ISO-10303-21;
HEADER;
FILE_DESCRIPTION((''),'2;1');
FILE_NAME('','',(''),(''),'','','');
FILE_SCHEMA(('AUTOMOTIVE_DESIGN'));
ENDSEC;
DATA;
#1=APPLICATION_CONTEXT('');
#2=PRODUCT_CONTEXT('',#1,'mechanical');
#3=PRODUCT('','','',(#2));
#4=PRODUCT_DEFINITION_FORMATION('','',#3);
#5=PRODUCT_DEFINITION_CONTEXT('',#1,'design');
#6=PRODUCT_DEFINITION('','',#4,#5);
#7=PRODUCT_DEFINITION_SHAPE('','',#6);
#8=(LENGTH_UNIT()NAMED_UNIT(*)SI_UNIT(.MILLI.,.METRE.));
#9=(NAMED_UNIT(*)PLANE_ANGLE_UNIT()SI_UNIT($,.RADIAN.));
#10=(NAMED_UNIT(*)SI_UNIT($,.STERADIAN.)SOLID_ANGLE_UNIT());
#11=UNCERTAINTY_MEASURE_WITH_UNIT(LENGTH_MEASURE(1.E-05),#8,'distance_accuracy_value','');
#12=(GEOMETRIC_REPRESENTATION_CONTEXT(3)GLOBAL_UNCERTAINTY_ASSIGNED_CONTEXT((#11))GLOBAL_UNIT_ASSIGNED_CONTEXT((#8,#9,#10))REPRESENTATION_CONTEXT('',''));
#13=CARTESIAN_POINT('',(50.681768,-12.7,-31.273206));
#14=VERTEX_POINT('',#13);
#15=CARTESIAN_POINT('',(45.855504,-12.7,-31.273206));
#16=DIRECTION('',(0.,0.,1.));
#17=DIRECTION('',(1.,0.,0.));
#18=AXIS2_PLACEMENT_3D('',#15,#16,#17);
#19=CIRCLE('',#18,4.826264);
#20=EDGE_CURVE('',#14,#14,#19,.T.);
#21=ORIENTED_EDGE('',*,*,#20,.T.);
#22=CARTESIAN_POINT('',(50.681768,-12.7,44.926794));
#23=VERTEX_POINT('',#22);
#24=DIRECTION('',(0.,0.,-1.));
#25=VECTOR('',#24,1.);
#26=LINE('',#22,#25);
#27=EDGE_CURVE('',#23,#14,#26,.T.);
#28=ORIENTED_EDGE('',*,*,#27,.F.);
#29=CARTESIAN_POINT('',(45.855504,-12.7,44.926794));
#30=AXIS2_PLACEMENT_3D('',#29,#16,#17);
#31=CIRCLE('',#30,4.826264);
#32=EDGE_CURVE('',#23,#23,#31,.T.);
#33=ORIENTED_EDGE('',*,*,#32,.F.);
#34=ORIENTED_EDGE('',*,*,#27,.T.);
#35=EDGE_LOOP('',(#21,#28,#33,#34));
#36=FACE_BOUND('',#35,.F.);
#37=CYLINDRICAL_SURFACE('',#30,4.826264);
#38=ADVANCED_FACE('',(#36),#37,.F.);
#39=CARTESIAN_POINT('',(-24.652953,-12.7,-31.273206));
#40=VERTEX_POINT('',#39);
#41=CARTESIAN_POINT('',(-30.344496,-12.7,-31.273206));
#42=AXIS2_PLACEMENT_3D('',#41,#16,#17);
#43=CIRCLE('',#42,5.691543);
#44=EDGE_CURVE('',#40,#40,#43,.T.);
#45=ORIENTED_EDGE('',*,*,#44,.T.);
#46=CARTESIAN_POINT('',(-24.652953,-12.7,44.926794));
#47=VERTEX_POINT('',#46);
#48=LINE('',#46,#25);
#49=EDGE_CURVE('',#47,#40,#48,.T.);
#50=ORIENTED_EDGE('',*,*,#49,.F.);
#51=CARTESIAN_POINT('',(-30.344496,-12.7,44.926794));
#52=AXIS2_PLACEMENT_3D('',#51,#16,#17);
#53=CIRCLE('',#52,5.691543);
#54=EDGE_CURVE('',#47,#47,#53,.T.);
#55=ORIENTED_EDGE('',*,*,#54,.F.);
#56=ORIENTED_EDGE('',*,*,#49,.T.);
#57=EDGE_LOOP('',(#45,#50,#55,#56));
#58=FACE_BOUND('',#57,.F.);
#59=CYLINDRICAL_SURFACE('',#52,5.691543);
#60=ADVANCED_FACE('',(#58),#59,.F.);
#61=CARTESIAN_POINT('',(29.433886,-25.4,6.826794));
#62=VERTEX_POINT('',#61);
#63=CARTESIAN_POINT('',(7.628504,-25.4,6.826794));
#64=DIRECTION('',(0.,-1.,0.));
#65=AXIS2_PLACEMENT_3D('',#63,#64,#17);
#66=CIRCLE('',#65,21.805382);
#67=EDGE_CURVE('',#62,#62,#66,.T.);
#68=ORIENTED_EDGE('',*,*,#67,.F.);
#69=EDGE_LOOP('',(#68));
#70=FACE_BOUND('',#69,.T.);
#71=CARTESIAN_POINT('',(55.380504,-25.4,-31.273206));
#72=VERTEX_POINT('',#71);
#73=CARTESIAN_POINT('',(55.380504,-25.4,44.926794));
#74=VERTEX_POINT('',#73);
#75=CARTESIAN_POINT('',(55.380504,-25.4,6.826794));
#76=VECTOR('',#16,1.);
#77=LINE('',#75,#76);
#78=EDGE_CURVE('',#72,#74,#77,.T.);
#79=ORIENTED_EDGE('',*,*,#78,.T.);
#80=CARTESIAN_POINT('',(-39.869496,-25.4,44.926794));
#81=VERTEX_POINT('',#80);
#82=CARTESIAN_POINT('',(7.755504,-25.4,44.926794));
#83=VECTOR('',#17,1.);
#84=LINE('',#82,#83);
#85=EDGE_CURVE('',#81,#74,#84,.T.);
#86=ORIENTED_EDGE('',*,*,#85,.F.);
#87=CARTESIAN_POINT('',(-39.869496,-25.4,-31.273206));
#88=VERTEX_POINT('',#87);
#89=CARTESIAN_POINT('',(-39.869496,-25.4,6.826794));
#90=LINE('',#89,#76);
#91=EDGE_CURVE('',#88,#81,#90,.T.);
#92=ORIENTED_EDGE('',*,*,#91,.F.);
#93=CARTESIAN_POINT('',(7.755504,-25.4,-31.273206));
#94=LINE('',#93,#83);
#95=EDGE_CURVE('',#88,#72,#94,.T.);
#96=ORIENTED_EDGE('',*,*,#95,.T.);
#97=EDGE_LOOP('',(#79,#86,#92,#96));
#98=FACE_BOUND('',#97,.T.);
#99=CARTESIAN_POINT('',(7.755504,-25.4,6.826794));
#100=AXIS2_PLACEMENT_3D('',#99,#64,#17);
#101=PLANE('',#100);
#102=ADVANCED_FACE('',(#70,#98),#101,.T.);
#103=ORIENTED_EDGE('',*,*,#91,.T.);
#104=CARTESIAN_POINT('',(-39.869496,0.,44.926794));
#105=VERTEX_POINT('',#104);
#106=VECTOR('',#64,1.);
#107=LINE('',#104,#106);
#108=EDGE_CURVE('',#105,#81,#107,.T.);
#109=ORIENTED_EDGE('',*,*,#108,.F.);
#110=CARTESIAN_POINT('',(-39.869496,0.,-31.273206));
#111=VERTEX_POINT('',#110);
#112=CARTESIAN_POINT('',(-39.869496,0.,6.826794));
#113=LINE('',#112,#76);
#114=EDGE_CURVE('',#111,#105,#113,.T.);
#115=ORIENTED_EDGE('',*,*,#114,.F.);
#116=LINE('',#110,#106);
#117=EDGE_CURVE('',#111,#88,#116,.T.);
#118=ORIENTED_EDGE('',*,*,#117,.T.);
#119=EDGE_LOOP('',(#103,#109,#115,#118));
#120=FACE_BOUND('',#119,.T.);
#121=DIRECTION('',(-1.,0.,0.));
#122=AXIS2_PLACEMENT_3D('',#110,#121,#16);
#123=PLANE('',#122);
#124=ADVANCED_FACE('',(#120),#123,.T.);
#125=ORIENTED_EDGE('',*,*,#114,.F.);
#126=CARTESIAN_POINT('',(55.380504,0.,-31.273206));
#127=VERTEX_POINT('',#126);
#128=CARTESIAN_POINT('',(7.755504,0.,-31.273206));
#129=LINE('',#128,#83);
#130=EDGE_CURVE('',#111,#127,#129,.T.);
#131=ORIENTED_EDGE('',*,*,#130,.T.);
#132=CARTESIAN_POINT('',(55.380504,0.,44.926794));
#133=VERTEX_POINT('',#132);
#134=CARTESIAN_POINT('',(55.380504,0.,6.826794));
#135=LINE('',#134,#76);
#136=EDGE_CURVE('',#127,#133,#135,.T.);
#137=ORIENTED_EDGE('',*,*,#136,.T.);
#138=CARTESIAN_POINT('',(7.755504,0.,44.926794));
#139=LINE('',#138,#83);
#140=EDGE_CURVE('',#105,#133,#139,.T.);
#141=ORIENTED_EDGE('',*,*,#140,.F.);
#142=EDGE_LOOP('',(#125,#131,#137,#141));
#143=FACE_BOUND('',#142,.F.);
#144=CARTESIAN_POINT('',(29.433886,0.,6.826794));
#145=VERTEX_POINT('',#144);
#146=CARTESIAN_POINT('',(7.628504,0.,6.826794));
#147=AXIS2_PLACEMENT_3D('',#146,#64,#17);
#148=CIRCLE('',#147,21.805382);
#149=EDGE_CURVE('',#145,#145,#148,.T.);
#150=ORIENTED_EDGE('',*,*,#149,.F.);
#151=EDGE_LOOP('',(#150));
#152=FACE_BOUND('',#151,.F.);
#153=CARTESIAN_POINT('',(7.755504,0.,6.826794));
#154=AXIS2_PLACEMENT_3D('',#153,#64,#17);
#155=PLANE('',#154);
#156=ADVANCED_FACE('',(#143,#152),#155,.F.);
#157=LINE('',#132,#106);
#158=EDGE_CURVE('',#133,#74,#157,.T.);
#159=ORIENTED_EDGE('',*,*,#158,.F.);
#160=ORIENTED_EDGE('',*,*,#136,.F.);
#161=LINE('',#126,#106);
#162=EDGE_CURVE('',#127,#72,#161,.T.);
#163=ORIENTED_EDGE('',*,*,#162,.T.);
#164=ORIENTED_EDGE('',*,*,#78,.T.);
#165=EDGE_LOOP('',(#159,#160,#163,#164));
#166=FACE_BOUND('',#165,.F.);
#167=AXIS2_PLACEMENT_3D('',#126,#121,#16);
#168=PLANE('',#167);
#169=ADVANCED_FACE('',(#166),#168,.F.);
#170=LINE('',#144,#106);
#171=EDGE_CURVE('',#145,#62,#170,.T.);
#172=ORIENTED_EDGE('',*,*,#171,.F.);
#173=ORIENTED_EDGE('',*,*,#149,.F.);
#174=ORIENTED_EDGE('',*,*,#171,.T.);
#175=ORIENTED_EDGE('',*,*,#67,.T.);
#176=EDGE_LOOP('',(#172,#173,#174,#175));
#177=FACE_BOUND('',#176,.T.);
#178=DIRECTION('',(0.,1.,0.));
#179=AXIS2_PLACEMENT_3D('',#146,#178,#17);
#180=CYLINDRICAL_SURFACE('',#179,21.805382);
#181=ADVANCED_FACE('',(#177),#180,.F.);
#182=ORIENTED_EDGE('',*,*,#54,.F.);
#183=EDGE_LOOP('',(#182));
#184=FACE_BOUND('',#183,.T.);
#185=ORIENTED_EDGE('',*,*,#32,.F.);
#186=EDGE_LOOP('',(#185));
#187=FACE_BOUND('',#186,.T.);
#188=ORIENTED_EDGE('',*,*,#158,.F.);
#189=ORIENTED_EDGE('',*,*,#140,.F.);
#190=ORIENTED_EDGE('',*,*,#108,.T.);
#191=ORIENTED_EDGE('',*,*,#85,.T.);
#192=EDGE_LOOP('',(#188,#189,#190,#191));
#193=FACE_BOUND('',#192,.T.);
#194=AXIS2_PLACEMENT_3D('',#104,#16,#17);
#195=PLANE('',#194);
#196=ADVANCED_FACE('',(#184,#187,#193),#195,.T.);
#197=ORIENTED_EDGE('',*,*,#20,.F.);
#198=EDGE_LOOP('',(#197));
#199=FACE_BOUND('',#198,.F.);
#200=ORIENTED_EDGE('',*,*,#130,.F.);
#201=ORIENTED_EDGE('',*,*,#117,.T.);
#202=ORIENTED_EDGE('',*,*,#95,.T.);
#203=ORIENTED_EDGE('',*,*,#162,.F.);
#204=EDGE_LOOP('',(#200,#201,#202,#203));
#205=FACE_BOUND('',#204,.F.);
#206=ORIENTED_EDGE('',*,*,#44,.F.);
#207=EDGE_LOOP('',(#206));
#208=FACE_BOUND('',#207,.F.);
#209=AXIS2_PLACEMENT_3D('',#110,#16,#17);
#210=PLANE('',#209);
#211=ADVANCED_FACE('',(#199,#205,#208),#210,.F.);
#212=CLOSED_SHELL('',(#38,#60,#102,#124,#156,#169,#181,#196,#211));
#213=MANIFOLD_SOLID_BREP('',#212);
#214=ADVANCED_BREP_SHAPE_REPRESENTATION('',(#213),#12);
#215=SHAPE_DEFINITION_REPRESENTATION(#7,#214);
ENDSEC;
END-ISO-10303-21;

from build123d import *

# Parameters (mm, degrees)
F0_W     = 95.25
F0_H     = 76.2
F0_R     = 21.805382
F1_DEPTH = 25.4
F2_R     = 5.691543
F2_R_2   = 4.826264
F3_DEPTH = 80.52062


with BuildPart() as f1:
    # F0 (on Front) → F1 (new body)
    with BuildSketch(Plane.XZ):
        with Locations((7.755504, 6.826794)):
            Rectangle(F0_W, F0_H)
        with Locations((7.628504, 6.826794)):
            Circle(F0_R, mode=Mode.SUBTRACT)
    extrude(amount=F1_DEPTH)

    # F2 (on face) → F3 (cut)
    with BuildSketch(Plane.XY.offset(44.926794)):
        with Locations((-30.344496, -12.7)):
            Circle(F2_R)
        with Locations((45.855504, -12.7)):
            Circle(F2_R_2)
    extrude(amount=-F3_DEPTH, mode=Mode.SUBTRACT)


solid = f1.part
